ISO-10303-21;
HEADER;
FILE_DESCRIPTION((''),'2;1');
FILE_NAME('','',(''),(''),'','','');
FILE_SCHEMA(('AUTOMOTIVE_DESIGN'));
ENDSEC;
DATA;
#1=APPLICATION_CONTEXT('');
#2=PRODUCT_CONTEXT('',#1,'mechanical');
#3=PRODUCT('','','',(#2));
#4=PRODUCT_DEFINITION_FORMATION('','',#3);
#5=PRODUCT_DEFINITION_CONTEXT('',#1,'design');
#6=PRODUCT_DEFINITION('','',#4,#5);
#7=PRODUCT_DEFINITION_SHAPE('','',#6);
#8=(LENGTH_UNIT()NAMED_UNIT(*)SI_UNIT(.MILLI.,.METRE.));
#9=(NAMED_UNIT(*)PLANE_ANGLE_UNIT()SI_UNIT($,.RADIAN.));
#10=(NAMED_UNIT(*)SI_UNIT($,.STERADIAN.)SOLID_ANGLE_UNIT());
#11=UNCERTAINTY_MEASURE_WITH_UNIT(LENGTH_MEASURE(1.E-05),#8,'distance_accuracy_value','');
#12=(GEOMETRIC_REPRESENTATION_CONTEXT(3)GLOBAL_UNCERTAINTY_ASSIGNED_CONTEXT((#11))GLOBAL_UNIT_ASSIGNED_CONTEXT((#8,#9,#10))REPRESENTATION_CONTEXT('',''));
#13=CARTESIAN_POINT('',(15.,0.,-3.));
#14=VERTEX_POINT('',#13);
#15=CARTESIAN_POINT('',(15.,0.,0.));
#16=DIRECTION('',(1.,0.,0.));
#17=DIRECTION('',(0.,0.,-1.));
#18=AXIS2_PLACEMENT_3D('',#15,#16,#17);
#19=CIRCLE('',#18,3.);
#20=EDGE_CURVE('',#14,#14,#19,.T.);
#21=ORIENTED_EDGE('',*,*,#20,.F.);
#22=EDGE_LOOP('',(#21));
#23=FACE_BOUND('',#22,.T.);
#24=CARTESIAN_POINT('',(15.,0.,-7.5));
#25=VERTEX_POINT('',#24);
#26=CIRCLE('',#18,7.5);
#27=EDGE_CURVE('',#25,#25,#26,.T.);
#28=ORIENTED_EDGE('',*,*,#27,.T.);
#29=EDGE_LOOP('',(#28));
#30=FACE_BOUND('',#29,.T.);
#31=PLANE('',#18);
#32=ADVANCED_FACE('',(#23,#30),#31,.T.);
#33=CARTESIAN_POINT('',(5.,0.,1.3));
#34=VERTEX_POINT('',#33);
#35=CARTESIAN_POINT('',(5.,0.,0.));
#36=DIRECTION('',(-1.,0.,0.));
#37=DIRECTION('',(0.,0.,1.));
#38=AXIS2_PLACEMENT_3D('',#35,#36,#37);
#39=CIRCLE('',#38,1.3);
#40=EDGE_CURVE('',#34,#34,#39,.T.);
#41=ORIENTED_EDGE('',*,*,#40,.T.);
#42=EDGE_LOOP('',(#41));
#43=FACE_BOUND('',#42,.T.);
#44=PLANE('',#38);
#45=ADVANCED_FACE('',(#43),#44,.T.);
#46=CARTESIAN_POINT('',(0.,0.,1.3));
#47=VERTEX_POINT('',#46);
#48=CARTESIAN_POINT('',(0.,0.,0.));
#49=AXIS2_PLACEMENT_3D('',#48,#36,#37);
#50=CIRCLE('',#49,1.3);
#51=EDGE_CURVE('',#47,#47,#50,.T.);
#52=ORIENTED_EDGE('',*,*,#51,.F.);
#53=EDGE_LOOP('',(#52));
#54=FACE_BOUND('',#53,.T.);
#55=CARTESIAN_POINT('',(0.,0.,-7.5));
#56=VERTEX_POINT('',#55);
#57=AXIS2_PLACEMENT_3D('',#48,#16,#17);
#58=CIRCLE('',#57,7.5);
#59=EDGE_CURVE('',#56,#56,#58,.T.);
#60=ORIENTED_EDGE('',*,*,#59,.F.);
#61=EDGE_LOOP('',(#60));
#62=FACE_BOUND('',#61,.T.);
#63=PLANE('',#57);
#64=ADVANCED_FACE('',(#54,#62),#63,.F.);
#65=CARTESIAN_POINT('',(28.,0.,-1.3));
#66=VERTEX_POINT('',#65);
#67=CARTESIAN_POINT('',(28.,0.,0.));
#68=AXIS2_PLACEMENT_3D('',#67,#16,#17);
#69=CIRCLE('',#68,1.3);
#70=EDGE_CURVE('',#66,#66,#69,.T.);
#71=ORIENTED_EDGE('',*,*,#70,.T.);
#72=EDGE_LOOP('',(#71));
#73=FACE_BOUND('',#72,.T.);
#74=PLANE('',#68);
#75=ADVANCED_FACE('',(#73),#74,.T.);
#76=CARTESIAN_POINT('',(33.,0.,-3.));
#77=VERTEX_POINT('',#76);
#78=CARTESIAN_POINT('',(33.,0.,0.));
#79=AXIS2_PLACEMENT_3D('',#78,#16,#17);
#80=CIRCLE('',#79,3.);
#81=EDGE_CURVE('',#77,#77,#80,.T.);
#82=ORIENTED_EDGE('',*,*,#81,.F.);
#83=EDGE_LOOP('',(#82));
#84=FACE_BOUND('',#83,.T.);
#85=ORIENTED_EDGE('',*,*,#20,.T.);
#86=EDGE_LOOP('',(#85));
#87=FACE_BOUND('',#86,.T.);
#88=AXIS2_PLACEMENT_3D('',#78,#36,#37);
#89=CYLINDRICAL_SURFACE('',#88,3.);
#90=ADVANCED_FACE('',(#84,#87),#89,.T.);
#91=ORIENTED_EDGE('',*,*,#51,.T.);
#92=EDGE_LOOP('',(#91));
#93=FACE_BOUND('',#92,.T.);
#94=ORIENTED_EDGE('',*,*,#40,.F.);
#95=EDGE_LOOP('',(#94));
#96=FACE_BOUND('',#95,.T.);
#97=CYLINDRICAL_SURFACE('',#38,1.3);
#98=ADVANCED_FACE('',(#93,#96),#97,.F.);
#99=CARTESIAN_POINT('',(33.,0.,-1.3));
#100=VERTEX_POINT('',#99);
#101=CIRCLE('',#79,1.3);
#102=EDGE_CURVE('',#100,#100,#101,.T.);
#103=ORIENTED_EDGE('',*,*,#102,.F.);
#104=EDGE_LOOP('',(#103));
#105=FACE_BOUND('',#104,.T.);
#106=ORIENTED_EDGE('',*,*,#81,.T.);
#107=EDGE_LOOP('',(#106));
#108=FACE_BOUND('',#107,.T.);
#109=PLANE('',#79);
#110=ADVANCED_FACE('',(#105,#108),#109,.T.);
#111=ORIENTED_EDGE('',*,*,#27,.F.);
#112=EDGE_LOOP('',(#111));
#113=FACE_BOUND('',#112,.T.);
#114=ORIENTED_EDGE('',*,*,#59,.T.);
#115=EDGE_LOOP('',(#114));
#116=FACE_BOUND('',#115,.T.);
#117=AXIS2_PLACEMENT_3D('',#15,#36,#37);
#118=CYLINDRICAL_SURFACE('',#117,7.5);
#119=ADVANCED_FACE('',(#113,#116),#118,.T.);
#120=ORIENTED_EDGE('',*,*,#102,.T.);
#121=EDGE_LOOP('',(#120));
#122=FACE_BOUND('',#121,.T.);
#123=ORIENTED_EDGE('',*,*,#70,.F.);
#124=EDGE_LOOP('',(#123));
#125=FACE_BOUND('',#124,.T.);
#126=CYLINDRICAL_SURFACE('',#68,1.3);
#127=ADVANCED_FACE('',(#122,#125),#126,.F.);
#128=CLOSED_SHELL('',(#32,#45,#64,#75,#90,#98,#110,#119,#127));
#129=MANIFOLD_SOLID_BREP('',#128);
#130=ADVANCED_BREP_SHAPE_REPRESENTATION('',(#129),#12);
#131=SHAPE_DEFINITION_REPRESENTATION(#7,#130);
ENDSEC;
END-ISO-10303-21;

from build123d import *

# Parameters (mm, degrees)
SKETCH_1_R          = 3
EXTRUDE_1_DEPTH     = 33
SKETCH_2_R          = 1.3
CUT_EXTRUDE_1_DEPTH = 5
CUT_EXTRUDE_START   = -5
SKETCH_3_R          = 1.3
CUT_EXTRUDE_2_DEPTH = 5
SKETCH_4_R          = 7.5
SKETCH_4_R_2        = 3
EXTRUDE_2_DEPTH     = 15


with BuildPart() as part:
    # ｽｹｯﾁ1 → ﾎﾞｽ - 押し出し1 (new body)
    with BuildSketch(Plane(origin=(0, 0, 0), x_dir=(0, 0, -1), z_dir=(1, 0, 0))):
        Circle(SKETCH_1_R)
    extrude(amount=EXTRUDE_1_DEPTH)

    # ｽｹｯﾁ2 → ｶｯﾄ - 押し出し1 (cut)
    with BuildSketch(Plane(origin=(33, 0, 0), x_dir=(0, 0, -1), z_dir=(1, 0, 0))):
        Circle(SKETCH_2_R)
    extrude(amount=-CUT_EXTRUDE_1_DEPTH, mode=Mode.SUBTRACT)

    # ｽｹｯﾁ3 → ｶｯﾄ - 押し出し2 (cut)
    with BuildSketch(Plane.ZY.offset(CUT_EXTRUDE_START)):
        with Locations(Location((0, 0, 0), (0, 0, 180))):
            Circle(SKETCH_3_R)
    extrude(amount=CUT_EXTRUDE_2_DEPTH, mode=Mode.SUBTRACT)

    # ｽｹｯﾁ4 → ﾎﾞｽ - 押し出し2 (add)
    with BuildSketch(Plane(origin=(0, 0, 0), x_dir=(0, 0, -1), z_dir=(1, 0, 0))):
        Circle(SKETCH_4_R)
        Circle(SKETCH_4_R_2, mode=Mode.SUBTRACT)
    extrude(amount=EXTRUDE_2_DEPTH)


solid = part.part
